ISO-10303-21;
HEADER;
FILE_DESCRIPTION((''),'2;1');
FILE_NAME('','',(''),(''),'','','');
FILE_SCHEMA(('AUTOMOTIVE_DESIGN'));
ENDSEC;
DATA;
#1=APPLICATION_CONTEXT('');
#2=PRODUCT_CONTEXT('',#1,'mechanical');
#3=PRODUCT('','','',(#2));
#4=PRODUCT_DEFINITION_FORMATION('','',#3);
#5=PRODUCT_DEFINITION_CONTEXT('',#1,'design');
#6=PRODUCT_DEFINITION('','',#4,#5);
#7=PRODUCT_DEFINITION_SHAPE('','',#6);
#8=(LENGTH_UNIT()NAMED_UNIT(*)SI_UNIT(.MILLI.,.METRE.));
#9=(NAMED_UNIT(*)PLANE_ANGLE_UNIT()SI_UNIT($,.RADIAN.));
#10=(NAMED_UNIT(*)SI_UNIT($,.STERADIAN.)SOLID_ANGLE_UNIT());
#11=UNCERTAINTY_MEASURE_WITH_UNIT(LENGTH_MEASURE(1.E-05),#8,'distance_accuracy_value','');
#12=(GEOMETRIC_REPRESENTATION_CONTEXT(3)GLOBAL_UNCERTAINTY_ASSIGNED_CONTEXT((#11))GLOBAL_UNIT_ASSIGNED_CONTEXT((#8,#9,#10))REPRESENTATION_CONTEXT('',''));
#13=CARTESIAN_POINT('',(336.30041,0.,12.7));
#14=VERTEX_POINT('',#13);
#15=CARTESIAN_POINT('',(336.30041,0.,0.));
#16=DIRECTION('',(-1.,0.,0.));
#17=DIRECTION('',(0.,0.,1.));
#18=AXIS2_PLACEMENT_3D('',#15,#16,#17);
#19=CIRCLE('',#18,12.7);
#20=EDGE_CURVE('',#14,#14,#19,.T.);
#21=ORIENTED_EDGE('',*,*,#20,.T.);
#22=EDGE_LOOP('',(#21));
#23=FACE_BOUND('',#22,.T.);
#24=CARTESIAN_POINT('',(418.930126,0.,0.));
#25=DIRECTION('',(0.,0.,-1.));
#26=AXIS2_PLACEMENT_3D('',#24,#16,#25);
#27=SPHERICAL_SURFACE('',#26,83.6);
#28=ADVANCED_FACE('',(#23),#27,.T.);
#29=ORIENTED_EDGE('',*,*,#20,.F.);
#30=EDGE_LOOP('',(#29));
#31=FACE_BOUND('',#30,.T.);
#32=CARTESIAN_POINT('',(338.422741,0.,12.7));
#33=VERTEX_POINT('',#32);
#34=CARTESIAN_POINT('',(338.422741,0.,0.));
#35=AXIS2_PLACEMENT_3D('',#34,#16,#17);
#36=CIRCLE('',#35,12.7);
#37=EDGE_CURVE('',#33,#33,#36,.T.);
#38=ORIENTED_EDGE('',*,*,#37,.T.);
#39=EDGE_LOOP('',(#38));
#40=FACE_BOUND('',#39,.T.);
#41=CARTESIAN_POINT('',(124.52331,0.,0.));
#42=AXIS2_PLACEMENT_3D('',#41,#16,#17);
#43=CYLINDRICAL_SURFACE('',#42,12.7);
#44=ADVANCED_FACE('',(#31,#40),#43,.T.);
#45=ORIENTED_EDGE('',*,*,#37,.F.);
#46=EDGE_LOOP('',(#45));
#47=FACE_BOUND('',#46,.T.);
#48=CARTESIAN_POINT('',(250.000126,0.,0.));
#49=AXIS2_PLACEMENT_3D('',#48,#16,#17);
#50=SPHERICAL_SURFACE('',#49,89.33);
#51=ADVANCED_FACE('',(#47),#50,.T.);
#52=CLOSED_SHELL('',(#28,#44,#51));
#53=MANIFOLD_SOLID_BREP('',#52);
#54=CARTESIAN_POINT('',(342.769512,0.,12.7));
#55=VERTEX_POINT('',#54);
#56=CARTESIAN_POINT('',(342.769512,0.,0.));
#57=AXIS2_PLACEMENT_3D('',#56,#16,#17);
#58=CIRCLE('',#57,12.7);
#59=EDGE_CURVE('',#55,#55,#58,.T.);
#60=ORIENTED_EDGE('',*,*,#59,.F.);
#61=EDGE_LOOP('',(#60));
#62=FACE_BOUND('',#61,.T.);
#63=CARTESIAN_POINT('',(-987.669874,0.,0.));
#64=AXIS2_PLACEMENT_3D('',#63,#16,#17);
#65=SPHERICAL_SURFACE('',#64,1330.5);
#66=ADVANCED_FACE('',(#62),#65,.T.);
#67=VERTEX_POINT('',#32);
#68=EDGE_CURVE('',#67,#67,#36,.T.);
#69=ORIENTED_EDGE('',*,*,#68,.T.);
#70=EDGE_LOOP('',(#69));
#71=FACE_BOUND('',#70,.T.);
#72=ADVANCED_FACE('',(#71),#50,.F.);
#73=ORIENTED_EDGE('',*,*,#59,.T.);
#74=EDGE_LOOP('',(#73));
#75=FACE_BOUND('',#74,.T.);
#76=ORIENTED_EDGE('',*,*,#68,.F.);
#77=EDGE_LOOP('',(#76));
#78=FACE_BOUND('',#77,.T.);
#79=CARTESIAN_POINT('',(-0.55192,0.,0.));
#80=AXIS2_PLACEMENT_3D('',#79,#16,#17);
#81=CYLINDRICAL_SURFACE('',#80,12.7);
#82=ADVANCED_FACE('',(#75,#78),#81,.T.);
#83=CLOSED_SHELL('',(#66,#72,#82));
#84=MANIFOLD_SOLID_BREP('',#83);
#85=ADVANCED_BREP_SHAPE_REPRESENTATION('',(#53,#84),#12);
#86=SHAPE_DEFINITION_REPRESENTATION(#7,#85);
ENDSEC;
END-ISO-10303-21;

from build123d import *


with BuildPart() as part:
    # 草图1 one side → 旋转1 (revolve)
    with BuildSketch(Plane(origin=(0, 0, 0), x_dir=(1, 0, 0), z_dir=(0, 1, 0)), mode=Mode.PRIVATE) as revolve_1_sk:
        with BuildLine():
            ThreePointArc((336.300409734, 12.7), (335.57304983, 6.368505528), (335.330125938, 0))
            Line((335.330125938, 0), (339.330125938, 0))
            ThreePointArc((339.330125938, 0), (339.102991006, 6.366186986), (338.422741258, 12.7))
            Line((338.422741258, 12.7), (336.300409734, 12.7))
        make_face()
    revolve(revolve_1_sk.sketch.rotate(Axis((124.523309526, 0, 0), (1, 0, 0)), 180), axis=Axis((124.523309526, 0, 0), (1, 0, 0)))  # turned: the seam where the file's is


with BuildPart() as body_2:
    # 草图2 one side → 旋转3 (revolve)
    with BuildSketch(Plane(origin=(0, 0, 0), x_dir=(1, 0, 0), z_dir=(0, 1, 0)), mode=Mode.PRIVATE) as revolve_3_sk:
        with BuildLine():
            Line((342.769512006, 12.7), (338.422741258, 12.7))
            ThreePointArc((338.422741258, 12.7), (339.102991006, 6.366186986), (339.330125938, 0))
            Line((339.330125938, 0), (342.830125938, 0))
            ThreePointArc((342.830125938, 0), (342.814972369, 6.350072323), (342.769512006, 12.7))
        make_face()
    revolve(revolve_3_sk.sketch.rotate(Axis((-0.551919993, 0, 0), (1, 0, 0)), 180), axis=Axis((-0.551919993, 0, 0), (1, 0, 0)))  # turned: the seam where the file's is


solid = Compound([part.part, body_2.part])
